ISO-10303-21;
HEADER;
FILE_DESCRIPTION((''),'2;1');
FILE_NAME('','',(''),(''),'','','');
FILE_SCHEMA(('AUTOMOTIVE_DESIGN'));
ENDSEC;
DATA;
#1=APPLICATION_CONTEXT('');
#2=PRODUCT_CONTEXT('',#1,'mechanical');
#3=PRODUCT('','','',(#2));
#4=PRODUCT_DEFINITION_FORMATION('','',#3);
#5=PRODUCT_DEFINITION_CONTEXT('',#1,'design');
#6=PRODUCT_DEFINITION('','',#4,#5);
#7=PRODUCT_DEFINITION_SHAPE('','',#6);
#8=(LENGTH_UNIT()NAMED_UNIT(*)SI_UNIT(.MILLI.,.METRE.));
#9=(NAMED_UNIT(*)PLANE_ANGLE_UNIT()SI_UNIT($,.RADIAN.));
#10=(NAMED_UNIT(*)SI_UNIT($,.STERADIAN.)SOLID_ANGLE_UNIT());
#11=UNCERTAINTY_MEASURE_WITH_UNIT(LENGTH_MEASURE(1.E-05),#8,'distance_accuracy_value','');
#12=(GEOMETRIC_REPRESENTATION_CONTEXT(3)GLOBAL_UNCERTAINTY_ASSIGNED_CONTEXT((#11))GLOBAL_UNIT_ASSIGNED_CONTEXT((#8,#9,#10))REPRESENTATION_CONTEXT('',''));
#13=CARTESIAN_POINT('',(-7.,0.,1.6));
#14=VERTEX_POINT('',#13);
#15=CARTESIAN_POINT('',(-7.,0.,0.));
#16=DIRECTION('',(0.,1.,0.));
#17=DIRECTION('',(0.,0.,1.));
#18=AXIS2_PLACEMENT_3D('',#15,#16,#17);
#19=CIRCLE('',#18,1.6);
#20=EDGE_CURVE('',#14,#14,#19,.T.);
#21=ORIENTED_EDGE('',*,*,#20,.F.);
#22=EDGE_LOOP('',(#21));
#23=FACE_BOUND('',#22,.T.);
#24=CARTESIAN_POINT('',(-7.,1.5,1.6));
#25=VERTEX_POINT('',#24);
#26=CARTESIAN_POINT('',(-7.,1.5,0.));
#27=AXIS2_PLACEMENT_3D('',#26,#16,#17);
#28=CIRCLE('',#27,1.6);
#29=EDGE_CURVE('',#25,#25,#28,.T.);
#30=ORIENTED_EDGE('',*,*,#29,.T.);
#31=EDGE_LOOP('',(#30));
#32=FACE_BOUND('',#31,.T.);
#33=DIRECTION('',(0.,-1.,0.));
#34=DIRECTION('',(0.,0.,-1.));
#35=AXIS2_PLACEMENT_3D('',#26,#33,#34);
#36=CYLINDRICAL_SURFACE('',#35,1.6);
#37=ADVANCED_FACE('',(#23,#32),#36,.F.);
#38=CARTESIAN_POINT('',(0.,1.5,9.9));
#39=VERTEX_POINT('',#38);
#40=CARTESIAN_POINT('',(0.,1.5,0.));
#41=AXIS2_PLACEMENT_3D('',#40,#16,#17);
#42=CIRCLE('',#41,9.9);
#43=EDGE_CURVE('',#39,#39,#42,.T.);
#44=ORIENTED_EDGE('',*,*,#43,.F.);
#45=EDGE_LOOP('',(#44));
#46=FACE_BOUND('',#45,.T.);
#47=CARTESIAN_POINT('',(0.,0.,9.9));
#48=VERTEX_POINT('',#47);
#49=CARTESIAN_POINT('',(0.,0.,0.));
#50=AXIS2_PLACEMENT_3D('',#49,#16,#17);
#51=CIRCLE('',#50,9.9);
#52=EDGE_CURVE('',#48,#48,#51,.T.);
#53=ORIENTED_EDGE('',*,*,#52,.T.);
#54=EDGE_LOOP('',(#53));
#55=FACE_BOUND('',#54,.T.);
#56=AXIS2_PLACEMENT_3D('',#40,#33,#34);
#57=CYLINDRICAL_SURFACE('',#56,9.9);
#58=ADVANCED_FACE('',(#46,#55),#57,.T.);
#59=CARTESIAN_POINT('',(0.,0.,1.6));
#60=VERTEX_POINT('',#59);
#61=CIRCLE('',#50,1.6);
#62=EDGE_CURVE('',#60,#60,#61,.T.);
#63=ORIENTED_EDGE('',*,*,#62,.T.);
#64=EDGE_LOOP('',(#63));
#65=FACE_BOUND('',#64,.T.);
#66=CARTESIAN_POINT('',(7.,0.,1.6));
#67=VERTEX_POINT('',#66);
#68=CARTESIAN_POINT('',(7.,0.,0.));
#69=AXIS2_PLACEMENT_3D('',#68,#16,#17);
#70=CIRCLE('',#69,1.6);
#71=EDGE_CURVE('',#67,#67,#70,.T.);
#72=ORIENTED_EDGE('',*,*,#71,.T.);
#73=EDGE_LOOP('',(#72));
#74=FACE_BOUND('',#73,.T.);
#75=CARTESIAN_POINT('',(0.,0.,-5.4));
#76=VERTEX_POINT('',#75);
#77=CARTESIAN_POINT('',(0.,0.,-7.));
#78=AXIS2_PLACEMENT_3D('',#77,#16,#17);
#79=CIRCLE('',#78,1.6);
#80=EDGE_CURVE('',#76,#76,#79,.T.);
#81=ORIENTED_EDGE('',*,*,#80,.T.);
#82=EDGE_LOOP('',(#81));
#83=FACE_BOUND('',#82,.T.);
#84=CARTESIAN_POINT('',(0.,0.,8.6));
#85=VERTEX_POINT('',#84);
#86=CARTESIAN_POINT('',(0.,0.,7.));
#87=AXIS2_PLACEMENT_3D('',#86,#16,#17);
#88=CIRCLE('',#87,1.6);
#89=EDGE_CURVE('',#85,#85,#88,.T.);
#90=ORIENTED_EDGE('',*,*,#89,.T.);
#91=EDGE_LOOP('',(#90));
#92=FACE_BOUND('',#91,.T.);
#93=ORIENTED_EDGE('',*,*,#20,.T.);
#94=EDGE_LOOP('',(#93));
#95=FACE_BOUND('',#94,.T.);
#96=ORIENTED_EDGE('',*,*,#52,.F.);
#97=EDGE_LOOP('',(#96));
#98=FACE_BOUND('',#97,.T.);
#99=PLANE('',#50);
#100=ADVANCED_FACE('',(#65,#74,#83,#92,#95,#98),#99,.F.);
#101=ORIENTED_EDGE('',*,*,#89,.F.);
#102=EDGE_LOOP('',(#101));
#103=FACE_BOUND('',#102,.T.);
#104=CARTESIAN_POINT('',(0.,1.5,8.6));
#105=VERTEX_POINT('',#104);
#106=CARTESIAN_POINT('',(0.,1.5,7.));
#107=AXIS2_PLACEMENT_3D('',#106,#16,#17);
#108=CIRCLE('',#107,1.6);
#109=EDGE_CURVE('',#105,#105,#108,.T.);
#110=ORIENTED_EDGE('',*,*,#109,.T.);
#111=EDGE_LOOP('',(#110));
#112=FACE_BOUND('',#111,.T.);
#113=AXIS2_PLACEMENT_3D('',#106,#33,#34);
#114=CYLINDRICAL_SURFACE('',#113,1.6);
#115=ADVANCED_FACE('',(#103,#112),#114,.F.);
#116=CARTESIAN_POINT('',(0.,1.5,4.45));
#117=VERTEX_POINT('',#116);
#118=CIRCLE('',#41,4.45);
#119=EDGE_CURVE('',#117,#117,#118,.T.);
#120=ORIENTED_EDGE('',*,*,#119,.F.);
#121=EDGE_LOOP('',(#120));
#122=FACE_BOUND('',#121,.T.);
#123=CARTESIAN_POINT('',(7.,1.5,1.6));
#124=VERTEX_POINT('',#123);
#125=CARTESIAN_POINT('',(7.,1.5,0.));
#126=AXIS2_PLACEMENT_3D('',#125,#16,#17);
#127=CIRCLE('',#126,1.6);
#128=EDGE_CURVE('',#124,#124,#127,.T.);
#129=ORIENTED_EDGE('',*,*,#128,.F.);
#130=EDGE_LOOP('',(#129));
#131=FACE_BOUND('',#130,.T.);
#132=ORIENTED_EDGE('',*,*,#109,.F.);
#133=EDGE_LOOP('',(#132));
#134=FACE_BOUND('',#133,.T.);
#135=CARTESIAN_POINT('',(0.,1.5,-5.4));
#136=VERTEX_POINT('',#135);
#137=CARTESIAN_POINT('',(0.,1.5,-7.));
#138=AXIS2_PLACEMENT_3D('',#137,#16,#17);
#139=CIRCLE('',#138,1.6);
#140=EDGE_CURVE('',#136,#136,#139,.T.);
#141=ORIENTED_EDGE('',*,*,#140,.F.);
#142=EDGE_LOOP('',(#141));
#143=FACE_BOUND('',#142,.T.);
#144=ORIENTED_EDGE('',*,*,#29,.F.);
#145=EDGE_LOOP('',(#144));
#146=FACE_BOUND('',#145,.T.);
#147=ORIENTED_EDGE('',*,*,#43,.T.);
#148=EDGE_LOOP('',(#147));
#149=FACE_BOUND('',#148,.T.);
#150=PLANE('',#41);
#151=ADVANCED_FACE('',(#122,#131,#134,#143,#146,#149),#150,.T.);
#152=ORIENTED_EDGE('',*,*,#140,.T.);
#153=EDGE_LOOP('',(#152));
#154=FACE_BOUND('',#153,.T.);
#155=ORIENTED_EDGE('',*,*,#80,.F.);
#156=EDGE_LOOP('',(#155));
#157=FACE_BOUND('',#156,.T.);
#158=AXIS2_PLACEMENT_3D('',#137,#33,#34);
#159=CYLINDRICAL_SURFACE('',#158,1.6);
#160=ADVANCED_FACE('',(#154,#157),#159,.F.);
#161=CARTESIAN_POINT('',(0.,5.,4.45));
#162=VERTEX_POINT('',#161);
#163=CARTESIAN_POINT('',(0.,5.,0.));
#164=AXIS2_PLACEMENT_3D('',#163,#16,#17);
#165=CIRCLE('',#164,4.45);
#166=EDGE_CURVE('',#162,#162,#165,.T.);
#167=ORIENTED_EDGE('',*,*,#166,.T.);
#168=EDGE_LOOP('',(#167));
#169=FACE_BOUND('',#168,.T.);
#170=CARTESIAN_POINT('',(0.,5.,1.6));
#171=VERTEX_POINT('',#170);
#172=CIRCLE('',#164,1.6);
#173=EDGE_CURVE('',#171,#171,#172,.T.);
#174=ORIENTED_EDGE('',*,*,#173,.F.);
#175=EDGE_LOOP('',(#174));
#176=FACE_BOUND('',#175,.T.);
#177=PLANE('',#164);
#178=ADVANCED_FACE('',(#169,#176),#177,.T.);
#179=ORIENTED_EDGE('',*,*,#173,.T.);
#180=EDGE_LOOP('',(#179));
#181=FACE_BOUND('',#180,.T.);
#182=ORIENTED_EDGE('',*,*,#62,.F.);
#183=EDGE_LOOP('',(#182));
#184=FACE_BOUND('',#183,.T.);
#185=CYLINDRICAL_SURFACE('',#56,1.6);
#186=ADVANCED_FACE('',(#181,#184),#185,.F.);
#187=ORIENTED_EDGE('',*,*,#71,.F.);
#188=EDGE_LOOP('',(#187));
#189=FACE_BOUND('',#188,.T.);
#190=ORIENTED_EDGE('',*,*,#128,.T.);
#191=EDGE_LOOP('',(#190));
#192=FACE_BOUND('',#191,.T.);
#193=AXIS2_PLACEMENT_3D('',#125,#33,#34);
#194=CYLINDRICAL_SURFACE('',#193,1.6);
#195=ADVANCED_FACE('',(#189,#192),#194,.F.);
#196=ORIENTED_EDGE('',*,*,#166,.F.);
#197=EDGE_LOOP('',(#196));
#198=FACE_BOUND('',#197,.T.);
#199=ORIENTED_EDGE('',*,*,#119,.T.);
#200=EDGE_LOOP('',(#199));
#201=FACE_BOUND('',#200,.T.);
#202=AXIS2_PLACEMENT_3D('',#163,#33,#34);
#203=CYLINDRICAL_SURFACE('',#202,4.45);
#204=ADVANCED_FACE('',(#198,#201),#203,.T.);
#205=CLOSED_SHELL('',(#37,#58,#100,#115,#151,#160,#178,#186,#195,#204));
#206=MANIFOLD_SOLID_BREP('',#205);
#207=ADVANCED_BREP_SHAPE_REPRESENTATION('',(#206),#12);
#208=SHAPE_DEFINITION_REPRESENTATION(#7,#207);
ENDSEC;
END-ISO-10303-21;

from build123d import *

# Parameters (mm, degrees)
SKETCH1_R           = 9.9
SKETCH1_R_2         = 1.6
BOSS_EXTRUDE1_DEPTH = 1.5
SKETCH2_R           = 4.45
SKETCH2_R_2         = 1.6
BOSS_EXTRUDE3_DEPTH = 3.5


with BuildPart() as part:
    # Sketch1 → Boss-Extrude1 (new body)
    with BuildSketch(Plane(origin=(0, 0, 0), x_dir=(1, 0, 0), z_dir=(0, 1, 0))):
        Circle(SKETCH1_R)
        Circle(SKETCH1_R_2, mode=Mode.SUBTRACT)
        with Locations((0, 7)):
            Circle(SKETCH1_R_2, mode=Mode.SUBTRACT)
        with Locations((7, 0)):
            Circle(SKETCH1_R_2, mode=Mode.SUBTRACT)
        with Locations((0, -7)):
            Circle(SKETCH1_R_2, mode=Mode.SUBTRACT)
        with Locations((-7, 0)):
            Circle(SKETCH1_R_2, mode=Mode.SUBTRACT)
    extrude(amount=BOSS_EXTRUDE1_DEPTH)

    # Sketch2 → Boss-Extrude3 (add)
    with BuildSketch(Plane(origin=(0, 1.5, 0), x_dir=(1, 0, 0), z_dir=(0, 1, 0))):
        Circle(SKETCH2_R)
        Circle(SKETCH2_R_2, mode=Mode.SUBTRACT)
    extrude(amount=BOSS_EXTRUDE3_DEPTH)


solid = part.part
